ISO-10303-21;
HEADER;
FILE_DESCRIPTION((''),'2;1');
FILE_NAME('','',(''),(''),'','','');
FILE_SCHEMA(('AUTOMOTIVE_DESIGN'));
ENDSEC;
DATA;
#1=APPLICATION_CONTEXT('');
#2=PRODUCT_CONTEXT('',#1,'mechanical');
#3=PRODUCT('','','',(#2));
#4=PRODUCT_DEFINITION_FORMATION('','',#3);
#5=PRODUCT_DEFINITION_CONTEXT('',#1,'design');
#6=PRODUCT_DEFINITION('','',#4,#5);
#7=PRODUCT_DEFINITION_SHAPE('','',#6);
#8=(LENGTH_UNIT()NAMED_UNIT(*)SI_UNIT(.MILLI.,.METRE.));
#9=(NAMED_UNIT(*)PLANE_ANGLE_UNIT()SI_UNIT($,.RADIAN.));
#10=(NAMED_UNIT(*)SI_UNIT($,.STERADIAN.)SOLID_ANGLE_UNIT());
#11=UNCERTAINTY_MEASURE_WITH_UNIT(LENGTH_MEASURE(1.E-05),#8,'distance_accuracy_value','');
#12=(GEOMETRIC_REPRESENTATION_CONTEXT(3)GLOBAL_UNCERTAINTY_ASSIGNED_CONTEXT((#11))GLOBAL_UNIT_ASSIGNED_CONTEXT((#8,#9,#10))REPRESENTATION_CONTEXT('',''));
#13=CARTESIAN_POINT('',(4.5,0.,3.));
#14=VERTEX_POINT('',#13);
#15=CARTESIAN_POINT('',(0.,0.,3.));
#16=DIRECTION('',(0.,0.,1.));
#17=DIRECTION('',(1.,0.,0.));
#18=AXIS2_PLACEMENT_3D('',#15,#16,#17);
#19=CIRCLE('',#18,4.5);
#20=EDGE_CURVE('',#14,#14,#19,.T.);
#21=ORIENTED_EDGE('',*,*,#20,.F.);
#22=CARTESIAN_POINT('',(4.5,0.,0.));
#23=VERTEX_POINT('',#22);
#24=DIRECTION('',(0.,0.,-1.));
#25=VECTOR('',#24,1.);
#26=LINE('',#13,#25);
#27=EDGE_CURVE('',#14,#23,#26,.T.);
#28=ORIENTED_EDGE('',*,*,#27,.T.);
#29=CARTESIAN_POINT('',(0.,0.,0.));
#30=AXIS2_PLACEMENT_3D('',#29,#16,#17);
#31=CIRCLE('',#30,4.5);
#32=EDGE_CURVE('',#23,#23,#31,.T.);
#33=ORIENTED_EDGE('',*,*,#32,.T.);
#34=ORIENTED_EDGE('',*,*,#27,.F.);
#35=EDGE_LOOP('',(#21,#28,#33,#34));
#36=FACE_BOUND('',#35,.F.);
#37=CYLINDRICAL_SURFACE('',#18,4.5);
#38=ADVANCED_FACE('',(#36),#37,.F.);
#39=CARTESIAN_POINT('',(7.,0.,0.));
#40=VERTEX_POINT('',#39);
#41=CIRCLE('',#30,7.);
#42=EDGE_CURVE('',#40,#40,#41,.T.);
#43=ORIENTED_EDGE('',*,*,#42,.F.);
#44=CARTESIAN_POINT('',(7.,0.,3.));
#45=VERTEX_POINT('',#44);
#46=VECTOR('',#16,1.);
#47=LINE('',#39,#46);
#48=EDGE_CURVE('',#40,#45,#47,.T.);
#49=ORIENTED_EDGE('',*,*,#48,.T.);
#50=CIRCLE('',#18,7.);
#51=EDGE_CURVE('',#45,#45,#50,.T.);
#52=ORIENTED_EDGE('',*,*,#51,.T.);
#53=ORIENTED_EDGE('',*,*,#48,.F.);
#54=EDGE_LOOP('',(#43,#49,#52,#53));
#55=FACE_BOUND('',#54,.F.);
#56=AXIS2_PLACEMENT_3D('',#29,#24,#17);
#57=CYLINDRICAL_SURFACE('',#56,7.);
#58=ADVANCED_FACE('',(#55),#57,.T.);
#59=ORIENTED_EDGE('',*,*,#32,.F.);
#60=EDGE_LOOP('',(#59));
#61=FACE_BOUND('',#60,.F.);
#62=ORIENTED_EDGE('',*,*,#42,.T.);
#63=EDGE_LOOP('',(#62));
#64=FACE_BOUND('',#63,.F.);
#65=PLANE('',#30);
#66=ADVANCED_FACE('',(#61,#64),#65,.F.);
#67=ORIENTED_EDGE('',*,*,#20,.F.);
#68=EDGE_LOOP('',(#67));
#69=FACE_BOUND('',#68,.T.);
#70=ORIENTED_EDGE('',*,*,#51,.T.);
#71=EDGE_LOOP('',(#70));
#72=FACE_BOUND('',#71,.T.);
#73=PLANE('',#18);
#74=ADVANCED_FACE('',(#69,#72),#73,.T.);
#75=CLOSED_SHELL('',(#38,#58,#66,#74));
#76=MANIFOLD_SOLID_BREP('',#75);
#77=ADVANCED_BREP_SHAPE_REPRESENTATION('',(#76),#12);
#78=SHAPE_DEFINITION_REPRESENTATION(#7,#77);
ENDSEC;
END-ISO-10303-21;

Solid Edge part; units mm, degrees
sketch "Sketch1" plane through (0, 0, 0) normal (0, 0, 1) x (1, 0, 0)
  circle A0 centre (0, 0) radius 7
  dimension "D1" = 14
extrude "Protrusion1" add sketch "Sketch1" along normal blind 3
sketch "Sketch2" plane through (0, 0, 3) normal (0, 0, 1) x (1, 0, 0)
  circle A0 centre (0, 0) radius 4.5
  dimension "D1" = 9
extrude "Cutout1" cut sketch "Sketch2" against normal through all
